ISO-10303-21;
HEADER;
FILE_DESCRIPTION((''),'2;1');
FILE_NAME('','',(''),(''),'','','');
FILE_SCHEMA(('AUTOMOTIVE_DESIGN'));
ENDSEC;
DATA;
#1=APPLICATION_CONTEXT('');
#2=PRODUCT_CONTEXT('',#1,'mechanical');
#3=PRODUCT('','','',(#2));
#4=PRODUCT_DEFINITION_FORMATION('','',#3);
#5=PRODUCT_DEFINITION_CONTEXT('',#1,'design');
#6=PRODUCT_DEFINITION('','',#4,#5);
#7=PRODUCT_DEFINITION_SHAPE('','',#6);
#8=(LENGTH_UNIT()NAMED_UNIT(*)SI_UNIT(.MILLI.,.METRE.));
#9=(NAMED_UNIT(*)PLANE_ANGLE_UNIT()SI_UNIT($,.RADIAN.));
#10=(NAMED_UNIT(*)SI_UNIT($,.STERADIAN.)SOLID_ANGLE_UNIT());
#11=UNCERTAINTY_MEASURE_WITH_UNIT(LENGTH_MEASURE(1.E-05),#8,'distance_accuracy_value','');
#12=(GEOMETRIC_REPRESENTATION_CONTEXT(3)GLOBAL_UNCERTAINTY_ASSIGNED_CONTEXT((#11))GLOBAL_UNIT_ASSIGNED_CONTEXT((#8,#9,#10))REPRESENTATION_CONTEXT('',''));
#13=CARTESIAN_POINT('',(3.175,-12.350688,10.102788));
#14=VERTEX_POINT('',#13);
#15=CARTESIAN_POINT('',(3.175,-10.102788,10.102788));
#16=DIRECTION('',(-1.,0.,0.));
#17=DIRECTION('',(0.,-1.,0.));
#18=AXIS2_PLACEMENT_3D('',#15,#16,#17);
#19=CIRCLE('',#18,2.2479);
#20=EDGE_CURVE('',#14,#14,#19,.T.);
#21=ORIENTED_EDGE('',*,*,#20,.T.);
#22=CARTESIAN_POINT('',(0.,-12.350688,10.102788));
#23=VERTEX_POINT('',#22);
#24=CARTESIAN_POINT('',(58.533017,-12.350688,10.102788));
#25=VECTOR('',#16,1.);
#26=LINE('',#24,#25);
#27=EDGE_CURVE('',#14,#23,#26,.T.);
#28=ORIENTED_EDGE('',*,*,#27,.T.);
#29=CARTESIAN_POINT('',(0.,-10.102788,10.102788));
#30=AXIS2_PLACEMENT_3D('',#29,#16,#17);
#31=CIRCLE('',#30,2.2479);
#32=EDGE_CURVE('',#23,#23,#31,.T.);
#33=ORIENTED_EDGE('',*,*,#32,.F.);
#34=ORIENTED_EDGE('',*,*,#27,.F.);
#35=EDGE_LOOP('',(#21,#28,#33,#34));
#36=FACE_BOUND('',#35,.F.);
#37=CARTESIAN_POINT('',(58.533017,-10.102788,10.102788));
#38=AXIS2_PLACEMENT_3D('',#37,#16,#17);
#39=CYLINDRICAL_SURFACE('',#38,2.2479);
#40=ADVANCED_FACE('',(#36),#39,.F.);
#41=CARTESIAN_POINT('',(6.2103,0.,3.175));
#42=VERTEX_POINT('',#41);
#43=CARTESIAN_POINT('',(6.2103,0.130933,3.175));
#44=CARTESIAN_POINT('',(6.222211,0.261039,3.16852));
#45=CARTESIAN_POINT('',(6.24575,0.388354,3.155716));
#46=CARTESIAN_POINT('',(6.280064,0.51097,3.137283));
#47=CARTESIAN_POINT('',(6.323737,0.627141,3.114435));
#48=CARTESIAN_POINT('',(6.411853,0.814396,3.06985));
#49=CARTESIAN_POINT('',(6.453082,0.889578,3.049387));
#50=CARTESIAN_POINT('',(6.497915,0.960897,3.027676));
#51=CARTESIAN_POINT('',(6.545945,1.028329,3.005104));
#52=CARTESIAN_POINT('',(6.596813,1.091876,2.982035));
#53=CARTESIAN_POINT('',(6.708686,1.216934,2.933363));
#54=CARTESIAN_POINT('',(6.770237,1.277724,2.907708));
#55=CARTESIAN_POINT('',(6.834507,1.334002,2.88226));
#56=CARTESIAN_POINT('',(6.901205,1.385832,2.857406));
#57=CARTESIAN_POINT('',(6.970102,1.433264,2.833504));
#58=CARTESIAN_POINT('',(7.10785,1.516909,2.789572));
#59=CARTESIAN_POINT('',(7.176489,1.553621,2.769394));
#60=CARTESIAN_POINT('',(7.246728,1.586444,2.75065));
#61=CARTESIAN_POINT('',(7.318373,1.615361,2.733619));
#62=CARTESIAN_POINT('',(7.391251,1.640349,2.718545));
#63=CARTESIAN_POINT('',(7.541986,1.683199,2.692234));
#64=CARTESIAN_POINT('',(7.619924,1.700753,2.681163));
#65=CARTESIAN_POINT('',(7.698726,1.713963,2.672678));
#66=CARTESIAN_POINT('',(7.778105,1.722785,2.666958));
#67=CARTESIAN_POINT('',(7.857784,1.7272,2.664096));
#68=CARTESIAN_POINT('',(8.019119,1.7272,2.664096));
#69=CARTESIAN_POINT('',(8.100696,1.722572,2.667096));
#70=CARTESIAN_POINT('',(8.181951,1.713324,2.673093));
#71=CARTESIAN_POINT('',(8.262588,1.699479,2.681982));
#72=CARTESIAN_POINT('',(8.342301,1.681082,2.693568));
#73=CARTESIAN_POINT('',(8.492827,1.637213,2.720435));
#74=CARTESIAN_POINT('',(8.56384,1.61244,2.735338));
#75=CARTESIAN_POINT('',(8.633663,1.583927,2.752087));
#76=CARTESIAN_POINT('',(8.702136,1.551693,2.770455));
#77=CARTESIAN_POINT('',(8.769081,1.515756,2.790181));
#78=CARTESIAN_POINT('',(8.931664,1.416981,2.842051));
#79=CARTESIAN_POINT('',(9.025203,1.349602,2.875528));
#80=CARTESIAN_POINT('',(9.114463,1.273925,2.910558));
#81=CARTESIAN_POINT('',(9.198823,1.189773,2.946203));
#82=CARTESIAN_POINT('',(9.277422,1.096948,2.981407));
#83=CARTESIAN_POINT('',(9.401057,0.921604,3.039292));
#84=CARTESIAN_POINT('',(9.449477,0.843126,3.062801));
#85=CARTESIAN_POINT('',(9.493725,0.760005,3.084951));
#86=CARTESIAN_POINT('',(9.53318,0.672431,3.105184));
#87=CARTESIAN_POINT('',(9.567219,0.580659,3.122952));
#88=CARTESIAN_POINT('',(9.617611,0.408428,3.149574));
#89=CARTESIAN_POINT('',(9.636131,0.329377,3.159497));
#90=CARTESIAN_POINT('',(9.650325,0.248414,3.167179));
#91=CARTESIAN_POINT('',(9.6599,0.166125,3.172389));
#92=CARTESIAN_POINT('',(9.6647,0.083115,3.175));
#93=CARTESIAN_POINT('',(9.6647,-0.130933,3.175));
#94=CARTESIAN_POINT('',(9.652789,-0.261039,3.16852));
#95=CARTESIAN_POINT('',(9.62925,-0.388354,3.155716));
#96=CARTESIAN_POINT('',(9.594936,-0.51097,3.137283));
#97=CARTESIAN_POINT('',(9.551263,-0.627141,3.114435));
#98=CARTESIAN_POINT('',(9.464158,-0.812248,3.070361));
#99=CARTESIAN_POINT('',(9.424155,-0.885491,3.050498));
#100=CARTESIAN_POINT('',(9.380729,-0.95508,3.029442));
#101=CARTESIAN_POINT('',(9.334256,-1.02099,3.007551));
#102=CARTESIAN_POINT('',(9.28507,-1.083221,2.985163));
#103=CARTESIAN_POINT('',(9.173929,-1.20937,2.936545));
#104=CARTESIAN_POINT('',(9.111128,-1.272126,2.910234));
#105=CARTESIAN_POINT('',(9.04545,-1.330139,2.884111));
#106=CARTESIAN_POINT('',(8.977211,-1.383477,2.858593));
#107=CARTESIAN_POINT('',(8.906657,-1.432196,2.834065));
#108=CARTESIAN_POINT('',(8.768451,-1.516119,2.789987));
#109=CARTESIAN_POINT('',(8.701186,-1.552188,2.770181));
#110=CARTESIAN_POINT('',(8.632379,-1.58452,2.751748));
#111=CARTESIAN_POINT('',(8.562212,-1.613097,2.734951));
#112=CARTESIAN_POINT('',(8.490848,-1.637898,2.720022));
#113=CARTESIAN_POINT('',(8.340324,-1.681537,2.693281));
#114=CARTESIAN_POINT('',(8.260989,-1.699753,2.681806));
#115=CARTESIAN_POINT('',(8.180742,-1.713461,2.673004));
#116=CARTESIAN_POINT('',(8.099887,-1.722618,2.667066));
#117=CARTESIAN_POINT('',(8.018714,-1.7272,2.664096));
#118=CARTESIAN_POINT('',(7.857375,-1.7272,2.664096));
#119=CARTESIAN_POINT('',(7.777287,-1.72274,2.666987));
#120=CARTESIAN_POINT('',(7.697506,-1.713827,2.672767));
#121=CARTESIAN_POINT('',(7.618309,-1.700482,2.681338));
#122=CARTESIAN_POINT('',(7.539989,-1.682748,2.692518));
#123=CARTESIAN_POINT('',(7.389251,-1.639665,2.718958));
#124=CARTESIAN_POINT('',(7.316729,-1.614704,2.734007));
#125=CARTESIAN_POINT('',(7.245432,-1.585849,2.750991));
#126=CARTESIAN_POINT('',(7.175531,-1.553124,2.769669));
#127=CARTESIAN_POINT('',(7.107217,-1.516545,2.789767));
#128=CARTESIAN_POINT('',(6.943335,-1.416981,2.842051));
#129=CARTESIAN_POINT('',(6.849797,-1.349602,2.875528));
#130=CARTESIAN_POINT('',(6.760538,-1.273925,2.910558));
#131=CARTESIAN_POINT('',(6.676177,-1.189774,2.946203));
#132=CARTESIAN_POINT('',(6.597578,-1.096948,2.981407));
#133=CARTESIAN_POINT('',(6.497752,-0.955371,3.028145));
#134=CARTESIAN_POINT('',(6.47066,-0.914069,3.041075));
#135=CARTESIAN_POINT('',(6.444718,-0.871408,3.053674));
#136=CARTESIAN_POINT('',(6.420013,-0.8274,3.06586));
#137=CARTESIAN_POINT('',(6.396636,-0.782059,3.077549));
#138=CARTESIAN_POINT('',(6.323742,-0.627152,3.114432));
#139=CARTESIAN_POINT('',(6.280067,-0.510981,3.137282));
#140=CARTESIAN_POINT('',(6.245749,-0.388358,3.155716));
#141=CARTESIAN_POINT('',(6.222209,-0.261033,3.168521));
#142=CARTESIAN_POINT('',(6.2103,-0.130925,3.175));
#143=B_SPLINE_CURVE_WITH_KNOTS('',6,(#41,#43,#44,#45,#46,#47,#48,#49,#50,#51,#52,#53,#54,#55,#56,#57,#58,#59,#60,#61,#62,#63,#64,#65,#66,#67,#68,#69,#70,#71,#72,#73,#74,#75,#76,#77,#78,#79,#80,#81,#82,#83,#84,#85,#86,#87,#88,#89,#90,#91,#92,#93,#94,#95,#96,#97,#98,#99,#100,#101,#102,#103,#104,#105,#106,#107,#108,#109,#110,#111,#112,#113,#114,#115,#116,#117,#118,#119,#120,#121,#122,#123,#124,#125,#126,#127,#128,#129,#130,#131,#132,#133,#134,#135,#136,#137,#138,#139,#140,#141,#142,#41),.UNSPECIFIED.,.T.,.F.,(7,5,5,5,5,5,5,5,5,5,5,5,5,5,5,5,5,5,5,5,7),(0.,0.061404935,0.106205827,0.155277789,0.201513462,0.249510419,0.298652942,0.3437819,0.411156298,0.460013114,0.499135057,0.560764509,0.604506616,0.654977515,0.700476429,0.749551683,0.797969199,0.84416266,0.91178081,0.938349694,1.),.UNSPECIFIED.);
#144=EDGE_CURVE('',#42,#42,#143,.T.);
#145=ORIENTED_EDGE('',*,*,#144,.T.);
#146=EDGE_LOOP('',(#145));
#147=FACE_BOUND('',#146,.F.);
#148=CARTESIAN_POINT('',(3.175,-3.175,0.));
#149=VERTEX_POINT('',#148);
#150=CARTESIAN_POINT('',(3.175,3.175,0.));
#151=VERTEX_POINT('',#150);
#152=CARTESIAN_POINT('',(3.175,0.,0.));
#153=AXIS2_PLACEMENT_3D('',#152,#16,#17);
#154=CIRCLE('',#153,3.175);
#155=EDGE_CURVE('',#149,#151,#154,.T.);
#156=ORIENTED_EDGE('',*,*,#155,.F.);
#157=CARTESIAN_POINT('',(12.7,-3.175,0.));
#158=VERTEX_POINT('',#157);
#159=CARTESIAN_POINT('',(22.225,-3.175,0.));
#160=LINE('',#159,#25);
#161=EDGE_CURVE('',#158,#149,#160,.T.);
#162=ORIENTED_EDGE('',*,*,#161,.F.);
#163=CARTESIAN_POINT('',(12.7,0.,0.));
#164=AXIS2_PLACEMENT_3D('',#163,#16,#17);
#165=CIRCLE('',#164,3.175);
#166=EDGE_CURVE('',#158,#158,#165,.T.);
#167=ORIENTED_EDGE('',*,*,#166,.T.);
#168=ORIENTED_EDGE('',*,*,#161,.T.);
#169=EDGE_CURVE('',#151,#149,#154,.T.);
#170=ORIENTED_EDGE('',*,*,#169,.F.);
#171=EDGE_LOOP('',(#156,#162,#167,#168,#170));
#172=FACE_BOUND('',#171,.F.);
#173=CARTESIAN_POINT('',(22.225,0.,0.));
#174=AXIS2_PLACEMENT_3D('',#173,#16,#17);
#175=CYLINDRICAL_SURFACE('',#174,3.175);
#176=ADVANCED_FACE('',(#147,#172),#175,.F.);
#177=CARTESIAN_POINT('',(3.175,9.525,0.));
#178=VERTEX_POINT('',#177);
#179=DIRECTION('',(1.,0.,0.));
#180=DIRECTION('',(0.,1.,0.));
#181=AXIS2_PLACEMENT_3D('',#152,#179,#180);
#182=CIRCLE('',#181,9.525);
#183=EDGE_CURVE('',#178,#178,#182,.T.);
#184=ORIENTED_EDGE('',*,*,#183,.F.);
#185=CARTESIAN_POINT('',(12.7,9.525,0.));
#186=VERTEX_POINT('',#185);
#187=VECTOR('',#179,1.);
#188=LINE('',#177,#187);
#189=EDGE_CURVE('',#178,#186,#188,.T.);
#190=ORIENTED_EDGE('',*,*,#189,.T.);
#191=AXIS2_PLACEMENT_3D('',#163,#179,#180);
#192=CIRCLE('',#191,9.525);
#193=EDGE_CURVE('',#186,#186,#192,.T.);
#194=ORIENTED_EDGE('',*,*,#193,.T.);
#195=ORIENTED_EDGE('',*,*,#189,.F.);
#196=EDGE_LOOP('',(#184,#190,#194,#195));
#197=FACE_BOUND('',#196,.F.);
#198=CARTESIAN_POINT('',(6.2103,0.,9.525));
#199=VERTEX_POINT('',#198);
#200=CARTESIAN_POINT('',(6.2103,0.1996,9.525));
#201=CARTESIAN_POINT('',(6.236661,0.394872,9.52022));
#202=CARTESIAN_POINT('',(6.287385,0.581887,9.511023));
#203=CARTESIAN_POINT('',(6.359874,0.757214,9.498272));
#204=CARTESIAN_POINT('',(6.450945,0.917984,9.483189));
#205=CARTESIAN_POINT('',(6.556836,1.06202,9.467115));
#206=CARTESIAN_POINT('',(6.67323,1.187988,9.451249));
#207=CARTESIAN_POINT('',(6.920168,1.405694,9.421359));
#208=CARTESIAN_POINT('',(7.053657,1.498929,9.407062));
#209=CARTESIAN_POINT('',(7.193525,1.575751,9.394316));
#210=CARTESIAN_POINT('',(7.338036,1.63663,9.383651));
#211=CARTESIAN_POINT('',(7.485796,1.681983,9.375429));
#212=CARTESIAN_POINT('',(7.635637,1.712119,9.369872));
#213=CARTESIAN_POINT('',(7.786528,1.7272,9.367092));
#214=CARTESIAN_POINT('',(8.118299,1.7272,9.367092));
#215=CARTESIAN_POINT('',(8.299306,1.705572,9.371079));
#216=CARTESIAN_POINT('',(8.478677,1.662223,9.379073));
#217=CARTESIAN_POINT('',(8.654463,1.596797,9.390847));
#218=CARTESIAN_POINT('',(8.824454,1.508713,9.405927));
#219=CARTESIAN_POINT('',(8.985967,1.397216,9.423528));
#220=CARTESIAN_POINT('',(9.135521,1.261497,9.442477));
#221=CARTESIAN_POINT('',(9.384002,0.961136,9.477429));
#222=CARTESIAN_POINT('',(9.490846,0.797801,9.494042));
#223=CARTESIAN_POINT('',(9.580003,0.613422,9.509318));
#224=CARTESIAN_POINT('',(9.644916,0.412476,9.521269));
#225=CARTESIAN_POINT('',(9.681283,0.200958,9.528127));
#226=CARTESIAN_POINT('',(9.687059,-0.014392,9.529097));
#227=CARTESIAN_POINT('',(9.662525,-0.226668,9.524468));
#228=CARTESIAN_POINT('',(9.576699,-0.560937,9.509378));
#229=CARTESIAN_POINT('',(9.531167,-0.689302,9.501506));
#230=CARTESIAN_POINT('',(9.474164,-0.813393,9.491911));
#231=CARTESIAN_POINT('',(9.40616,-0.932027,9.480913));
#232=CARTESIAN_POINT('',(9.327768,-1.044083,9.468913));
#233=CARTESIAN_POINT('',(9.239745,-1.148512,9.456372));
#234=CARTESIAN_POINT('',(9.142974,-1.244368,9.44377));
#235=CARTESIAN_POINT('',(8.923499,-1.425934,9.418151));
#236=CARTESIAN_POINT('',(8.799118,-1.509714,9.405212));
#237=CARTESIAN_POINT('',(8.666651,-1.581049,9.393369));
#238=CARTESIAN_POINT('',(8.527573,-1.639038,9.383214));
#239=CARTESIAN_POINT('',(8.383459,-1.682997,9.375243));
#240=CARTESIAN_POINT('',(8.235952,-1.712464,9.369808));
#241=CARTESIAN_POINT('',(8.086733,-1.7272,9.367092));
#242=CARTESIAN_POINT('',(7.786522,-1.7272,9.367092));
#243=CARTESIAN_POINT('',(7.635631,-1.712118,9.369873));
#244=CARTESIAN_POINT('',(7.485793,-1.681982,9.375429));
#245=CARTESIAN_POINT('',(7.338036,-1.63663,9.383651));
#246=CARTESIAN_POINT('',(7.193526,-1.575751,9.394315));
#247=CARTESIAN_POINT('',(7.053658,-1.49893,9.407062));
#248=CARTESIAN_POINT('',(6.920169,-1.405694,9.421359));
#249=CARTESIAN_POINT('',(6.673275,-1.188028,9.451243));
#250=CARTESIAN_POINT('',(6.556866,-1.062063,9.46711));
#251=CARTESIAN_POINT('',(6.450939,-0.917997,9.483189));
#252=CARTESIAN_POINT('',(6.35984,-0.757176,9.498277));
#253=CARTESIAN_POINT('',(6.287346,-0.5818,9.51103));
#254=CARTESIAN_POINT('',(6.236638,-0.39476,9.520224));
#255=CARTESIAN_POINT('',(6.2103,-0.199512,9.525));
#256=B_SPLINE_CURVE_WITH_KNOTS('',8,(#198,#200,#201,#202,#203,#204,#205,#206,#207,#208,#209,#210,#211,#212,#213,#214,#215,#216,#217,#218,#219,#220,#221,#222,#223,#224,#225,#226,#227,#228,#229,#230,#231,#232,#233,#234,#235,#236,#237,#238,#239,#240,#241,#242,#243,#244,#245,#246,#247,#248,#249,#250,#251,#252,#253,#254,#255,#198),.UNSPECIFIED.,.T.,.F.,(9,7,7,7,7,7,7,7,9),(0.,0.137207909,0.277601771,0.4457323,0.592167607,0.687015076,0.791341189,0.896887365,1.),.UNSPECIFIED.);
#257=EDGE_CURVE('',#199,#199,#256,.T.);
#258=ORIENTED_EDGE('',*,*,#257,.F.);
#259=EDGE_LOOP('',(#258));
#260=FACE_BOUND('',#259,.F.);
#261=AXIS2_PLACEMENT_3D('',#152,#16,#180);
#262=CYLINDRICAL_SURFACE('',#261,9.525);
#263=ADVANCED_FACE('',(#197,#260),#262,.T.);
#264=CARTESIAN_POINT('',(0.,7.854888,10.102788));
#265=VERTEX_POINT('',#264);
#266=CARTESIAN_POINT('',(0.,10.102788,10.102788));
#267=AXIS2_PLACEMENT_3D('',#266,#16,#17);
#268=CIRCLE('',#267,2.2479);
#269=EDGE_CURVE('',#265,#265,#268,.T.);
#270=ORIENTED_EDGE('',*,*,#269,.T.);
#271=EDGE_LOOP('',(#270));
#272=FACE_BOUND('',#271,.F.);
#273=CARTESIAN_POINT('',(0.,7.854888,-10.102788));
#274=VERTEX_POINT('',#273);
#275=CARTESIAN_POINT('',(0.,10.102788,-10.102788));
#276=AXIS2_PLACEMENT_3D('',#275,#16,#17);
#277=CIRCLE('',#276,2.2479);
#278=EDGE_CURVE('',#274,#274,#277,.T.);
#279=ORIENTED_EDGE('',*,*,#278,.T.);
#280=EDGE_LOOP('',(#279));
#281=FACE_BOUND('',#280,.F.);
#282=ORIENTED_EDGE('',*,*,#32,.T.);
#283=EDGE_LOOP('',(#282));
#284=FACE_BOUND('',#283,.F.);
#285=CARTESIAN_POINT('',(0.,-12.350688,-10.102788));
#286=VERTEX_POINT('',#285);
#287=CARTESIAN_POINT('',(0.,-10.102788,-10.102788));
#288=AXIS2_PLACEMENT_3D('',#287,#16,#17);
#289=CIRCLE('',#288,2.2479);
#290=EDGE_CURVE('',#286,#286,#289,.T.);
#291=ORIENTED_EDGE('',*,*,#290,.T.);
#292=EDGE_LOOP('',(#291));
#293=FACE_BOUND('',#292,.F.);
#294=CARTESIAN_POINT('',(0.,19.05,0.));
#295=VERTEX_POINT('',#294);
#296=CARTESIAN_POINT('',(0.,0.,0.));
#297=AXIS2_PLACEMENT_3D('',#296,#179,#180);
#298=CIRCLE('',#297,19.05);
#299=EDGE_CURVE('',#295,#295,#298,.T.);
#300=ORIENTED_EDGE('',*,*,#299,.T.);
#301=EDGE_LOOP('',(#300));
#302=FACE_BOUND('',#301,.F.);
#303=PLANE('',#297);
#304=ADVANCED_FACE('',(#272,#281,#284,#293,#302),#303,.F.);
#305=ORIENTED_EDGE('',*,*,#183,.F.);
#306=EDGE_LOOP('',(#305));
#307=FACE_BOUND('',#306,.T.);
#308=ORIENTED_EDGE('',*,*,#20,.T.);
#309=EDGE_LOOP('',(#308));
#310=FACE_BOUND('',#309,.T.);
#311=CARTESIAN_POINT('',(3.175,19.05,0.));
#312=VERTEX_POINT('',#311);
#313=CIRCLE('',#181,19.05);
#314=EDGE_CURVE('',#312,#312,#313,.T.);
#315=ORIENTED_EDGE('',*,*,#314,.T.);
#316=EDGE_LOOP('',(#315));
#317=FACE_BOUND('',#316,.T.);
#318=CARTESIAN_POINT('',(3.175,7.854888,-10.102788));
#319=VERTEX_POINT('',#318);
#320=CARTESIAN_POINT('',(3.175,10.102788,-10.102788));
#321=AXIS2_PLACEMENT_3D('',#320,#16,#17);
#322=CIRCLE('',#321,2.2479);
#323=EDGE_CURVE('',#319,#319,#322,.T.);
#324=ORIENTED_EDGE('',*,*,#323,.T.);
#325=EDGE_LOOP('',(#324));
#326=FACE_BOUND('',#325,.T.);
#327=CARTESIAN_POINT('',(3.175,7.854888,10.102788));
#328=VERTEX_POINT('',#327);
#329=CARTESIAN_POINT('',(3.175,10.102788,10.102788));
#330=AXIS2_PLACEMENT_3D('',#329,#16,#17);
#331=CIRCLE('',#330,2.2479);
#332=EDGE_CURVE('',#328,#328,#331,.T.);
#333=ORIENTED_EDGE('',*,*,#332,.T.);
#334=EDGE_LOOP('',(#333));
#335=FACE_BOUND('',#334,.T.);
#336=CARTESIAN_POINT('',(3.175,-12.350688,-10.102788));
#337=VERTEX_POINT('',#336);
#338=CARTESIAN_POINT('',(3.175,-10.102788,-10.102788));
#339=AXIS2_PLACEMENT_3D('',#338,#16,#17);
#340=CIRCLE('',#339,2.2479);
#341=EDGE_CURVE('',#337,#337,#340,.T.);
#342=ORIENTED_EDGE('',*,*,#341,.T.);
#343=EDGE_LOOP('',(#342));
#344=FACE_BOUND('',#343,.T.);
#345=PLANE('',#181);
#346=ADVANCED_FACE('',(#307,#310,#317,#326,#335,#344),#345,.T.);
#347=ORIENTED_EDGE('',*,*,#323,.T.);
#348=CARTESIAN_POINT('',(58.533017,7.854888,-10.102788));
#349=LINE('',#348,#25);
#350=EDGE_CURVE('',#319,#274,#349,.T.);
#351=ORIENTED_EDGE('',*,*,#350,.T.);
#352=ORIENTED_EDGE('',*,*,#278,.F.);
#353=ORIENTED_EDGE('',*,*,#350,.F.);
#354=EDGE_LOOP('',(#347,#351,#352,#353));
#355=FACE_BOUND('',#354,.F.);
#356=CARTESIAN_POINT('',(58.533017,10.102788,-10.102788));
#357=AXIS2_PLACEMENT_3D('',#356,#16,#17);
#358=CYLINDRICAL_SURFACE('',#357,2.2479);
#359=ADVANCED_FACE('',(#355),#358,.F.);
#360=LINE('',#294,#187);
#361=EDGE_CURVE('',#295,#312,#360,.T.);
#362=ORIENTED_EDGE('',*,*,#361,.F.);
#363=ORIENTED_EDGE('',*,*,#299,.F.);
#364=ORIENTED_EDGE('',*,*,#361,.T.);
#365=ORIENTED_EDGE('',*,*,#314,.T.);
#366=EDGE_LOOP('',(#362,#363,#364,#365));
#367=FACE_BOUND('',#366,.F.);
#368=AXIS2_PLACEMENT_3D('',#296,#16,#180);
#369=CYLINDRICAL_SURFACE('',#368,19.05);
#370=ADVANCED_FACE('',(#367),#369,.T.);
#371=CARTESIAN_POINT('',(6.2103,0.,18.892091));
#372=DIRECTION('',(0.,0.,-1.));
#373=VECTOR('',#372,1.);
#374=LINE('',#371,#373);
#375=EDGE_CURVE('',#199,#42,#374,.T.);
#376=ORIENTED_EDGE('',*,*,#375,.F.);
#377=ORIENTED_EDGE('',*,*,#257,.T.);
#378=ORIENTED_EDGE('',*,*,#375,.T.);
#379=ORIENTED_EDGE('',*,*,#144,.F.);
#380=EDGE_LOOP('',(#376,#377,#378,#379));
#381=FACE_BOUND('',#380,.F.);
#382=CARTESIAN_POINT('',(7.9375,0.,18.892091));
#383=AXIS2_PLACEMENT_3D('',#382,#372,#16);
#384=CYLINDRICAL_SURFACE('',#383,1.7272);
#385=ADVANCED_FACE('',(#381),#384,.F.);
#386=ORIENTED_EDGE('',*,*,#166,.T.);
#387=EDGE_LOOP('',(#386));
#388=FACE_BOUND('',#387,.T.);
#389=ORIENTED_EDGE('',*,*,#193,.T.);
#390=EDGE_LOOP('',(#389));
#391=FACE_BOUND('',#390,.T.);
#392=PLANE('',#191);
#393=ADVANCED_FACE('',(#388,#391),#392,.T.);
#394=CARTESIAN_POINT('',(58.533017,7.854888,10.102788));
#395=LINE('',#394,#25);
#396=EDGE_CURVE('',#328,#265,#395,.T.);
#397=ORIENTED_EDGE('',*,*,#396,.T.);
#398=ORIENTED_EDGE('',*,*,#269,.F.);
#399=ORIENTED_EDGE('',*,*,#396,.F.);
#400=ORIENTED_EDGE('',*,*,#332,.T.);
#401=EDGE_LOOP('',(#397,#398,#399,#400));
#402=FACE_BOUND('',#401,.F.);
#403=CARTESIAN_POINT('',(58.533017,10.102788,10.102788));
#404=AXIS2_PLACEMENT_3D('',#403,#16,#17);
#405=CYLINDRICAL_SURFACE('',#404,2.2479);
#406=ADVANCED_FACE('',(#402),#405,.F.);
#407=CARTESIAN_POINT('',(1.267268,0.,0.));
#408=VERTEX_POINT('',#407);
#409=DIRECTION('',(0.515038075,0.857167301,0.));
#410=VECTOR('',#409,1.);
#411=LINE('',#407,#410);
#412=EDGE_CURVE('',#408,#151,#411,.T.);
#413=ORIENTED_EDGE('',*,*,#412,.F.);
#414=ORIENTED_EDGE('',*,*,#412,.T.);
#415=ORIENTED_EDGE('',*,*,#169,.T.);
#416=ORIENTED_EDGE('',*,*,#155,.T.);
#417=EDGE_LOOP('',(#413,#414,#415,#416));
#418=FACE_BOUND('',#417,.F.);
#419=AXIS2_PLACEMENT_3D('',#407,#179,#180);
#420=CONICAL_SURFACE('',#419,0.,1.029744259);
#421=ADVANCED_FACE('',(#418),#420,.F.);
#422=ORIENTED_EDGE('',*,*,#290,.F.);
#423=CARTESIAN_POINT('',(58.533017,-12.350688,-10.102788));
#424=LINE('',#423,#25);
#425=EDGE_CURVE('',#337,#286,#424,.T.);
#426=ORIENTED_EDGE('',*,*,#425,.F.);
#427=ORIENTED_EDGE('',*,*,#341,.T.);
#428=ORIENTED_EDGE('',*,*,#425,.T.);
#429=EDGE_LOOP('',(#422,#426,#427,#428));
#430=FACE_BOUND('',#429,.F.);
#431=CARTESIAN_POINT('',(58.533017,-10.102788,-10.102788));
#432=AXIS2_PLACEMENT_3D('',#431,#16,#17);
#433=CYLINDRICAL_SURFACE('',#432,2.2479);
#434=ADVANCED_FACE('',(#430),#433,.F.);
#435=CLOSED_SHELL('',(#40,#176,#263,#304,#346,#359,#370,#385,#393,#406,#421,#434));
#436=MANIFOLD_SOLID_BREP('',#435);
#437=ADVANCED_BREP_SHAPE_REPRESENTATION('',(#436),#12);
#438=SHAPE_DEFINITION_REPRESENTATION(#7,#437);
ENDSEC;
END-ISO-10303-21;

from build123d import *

# Parameters (mm, degrees)
F0_R     = 19.05
F1_DEPTH = 3.175
F2_R     = 9.525
F3_DEPTH = 9.525
F5_D     = 6.35
F5_DEPTH = 9.525
F5_TIP   = 1.9077324654
F8_D     = 3.4544
F8_DEPTH = 9.525
F8_START = 0.1579085
F8_TIP   = 1.0378064612
F10_D    = 4.4958


with BuildPart() as f1:
    # F0 (on Right) → F1 (new body)
    with BuildSketch(Plane.YZ):
        Circle(F0_R)
    extrude(amount=F1_DEPTH)

    # F2 (on face) → F3 (join)
    with BuildSketch(Plane.YZ.offset(3.175)):
        Circle(F2_R)
    extrude(amount=F3_DEPTH)

    # F5
    with Locations(Plane.YZ.offset(12.7)):
        with Locations((0, 0)):
            Hole(F5_D / 2, depth=F5_DEPTH)
            with Locations((0, 0, -(F5_DEPTH + F5_TIP / 2))):  # 118° drill point
                Cone(0, F5_D / 2, F5_TIP, mode=Mode.SUBTRACT)

    # F8
    # its depths count from where the whole tool has entered the part; down to there all is cleared
    with Locations(Plane.XY.offset(9.525).offset(-F8_START)):
        with Locations((7.9375, 0)):
            Hole(F8_D / 2, depth=F8_DEPTH)
            with Locations((0, 0, -(F8_DEPTH + F8_TIP / 2))):  # 118° drill point
                Cone(0, F8_D / 2, F8_TIP, mode=Mode.SUBTRACT)

    # F10 (through all)
    with Locations(Plane.YZ.offset(3.175)):
        with Locations((-10.1027881362, 10.1027881362), (10.1027881362, 10.1027881362), (10.1027881362, -10.1027881362), (-10.1027881362, -10.1027881362)):
            Hole(F10_D / 2)


solid = f1.part
